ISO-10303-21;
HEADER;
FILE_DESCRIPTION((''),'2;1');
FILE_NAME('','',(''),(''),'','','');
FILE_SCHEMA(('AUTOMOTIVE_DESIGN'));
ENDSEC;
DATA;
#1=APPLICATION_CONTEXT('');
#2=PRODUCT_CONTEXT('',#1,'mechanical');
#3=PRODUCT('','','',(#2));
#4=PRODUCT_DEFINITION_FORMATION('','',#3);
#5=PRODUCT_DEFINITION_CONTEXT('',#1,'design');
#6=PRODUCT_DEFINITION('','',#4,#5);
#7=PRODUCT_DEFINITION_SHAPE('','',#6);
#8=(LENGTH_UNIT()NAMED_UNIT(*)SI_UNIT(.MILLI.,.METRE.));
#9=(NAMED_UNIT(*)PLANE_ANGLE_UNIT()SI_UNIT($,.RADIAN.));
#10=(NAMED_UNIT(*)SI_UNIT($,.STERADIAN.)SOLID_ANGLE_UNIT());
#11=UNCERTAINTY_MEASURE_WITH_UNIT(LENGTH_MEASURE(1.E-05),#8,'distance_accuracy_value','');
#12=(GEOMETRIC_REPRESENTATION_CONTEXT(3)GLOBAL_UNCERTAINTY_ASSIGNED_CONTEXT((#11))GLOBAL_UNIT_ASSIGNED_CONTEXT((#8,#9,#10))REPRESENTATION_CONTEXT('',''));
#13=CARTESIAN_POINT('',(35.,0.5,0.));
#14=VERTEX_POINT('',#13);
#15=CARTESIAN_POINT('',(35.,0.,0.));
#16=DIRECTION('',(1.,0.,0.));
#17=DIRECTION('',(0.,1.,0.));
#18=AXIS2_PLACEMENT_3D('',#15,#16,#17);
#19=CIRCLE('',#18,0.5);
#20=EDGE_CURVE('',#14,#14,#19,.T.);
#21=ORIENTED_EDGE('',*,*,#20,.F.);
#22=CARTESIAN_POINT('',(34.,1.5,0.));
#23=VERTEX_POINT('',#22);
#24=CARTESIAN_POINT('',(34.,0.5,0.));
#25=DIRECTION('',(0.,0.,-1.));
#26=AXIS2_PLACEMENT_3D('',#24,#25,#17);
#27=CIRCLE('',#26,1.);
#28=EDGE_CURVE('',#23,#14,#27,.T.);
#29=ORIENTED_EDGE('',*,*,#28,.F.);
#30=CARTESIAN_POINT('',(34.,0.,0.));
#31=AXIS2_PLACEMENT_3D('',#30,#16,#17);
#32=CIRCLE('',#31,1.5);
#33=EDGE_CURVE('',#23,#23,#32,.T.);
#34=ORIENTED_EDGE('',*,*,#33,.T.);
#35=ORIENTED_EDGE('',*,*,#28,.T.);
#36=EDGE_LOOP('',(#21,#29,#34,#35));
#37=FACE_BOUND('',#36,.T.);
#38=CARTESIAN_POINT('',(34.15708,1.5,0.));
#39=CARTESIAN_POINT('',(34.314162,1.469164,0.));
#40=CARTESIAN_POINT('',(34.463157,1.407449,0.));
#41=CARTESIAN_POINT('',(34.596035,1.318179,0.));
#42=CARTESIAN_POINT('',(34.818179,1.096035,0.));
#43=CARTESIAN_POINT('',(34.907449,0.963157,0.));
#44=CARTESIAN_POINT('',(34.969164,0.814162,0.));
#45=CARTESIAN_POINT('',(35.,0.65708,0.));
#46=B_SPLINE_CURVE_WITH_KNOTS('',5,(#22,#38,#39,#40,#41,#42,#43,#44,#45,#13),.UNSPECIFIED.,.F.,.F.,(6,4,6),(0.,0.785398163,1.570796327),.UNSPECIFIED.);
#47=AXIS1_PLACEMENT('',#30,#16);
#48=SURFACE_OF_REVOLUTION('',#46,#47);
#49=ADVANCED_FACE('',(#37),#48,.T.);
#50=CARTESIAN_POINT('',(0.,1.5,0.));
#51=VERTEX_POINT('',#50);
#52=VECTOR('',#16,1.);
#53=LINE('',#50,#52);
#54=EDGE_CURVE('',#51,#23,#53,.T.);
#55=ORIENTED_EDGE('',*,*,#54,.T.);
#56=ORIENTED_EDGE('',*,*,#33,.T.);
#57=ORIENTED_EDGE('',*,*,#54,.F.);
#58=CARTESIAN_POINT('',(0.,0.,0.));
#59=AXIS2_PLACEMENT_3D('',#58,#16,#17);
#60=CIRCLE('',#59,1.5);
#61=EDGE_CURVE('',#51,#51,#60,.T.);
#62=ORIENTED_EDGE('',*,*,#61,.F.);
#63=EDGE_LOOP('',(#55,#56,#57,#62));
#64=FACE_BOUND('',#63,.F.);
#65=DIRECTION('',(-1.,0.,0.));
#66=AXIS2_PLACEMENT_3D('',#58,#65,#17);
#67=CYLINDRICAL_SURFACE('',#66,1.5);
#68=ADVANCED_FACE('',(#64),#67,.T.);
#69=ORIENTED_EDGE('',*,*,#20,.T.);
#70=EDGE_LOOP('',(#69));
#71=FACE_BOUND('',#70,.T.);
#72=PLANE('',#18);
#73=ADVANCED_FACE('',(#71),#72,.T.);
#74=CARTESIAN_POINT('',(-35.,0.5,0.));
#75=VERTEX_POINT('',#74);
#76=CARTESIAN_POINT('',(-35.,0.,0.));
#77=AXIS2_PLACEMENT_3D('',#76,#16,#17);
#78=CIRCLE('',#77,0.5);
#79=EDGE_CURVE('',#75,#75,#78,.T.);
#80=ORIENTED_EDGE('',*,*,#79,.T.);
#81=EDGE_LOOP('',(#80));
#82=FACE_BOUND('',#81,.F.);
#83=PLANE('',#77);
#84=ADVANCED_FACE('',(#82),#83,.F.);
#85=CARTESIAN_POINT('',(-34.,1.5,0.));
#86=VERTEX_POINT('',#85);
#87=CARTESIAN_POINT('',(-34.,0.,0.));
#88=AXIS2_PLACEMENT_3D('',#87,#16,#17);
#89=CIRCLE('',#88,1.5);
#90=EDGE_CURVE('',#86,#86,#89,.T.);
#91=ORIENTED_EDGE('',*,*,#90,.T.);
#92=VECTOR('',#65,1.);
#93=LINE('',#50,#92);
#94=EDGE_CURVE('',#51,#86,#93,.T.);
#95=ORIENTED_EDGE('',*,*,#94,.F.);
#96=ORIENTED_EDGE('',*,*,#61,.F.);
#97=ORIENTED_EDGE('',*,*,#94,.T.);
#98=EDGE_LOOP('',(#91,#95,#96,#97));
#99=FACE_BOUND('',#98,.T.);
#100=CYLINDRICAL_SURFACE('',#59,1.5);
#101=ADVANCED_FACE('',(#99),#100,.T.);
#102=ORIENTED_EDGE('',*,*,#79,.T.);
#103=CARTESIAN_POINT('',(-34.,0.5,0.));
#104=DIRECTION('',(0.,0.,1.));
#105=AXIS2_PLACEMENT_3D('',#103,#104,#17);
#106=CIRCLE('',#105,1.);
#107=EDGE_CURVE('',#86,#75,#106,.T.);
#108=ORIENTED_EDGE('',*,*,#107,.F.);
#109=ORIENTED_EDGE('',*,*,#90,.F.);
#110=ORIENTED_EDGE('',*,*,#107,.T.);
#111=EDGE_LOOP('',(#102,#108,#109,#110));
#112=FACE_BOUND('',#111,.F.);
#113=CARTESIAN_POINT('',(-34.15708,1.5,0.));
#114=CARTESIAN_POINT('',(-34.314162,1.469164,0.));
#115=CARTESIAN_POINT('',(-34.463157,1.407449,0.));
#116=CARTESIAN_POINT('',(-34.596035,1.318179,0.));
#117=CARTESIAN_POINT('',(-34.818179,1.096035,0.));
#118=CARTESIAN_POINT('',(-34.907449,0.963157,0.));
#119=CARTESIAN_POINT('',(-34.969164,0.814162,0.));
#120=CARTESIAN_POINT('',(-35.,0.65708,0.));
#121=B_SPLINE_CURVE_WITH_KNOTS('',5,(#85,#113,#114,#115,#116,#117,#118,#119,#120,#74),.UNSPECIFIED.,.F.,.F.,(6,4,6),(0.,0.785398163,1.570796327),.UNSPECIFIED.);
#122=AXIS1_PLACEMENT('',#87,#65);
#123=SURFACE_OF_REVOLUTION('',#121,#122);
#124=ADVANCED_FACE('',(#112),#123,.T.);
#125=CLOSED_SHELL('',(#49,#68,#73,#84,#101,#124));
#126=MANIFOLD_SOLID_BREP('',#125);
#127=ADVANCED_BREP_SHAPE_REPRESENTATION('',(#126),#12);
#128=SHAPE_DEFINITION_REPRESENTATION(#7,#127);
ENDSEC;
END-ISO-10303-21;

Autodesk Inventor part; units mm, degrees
ref_plane "YZ Plane" through (0, 0, 0) normal (1, 0, 0) x (0, 1, 0)
ref_plane "XZ Plane" through (0, 0, 0) normal (0, 1, 0) x (-1, 0, 0)
ref_plane "XY Plane" through (0, 0, 0) normal (0, 0, 1) x (1, 0, 0)
sketch "Эскиз1" plane through (0, 0, 0) normal (1, 0, 0) x (0, 1, 0)
  circle A0 centre (0, 0) radius 1.5
  dimension "d0" = 3
extrude "Выдавливание1" add sketch "Эскиз1" along normal mid plane 70
fillet "Сопряжение1" radius 1 2 edges at (-35, -1.5, 0) (35, -1.5, 0)
properties part number "Шпилька скрепления деталей"
